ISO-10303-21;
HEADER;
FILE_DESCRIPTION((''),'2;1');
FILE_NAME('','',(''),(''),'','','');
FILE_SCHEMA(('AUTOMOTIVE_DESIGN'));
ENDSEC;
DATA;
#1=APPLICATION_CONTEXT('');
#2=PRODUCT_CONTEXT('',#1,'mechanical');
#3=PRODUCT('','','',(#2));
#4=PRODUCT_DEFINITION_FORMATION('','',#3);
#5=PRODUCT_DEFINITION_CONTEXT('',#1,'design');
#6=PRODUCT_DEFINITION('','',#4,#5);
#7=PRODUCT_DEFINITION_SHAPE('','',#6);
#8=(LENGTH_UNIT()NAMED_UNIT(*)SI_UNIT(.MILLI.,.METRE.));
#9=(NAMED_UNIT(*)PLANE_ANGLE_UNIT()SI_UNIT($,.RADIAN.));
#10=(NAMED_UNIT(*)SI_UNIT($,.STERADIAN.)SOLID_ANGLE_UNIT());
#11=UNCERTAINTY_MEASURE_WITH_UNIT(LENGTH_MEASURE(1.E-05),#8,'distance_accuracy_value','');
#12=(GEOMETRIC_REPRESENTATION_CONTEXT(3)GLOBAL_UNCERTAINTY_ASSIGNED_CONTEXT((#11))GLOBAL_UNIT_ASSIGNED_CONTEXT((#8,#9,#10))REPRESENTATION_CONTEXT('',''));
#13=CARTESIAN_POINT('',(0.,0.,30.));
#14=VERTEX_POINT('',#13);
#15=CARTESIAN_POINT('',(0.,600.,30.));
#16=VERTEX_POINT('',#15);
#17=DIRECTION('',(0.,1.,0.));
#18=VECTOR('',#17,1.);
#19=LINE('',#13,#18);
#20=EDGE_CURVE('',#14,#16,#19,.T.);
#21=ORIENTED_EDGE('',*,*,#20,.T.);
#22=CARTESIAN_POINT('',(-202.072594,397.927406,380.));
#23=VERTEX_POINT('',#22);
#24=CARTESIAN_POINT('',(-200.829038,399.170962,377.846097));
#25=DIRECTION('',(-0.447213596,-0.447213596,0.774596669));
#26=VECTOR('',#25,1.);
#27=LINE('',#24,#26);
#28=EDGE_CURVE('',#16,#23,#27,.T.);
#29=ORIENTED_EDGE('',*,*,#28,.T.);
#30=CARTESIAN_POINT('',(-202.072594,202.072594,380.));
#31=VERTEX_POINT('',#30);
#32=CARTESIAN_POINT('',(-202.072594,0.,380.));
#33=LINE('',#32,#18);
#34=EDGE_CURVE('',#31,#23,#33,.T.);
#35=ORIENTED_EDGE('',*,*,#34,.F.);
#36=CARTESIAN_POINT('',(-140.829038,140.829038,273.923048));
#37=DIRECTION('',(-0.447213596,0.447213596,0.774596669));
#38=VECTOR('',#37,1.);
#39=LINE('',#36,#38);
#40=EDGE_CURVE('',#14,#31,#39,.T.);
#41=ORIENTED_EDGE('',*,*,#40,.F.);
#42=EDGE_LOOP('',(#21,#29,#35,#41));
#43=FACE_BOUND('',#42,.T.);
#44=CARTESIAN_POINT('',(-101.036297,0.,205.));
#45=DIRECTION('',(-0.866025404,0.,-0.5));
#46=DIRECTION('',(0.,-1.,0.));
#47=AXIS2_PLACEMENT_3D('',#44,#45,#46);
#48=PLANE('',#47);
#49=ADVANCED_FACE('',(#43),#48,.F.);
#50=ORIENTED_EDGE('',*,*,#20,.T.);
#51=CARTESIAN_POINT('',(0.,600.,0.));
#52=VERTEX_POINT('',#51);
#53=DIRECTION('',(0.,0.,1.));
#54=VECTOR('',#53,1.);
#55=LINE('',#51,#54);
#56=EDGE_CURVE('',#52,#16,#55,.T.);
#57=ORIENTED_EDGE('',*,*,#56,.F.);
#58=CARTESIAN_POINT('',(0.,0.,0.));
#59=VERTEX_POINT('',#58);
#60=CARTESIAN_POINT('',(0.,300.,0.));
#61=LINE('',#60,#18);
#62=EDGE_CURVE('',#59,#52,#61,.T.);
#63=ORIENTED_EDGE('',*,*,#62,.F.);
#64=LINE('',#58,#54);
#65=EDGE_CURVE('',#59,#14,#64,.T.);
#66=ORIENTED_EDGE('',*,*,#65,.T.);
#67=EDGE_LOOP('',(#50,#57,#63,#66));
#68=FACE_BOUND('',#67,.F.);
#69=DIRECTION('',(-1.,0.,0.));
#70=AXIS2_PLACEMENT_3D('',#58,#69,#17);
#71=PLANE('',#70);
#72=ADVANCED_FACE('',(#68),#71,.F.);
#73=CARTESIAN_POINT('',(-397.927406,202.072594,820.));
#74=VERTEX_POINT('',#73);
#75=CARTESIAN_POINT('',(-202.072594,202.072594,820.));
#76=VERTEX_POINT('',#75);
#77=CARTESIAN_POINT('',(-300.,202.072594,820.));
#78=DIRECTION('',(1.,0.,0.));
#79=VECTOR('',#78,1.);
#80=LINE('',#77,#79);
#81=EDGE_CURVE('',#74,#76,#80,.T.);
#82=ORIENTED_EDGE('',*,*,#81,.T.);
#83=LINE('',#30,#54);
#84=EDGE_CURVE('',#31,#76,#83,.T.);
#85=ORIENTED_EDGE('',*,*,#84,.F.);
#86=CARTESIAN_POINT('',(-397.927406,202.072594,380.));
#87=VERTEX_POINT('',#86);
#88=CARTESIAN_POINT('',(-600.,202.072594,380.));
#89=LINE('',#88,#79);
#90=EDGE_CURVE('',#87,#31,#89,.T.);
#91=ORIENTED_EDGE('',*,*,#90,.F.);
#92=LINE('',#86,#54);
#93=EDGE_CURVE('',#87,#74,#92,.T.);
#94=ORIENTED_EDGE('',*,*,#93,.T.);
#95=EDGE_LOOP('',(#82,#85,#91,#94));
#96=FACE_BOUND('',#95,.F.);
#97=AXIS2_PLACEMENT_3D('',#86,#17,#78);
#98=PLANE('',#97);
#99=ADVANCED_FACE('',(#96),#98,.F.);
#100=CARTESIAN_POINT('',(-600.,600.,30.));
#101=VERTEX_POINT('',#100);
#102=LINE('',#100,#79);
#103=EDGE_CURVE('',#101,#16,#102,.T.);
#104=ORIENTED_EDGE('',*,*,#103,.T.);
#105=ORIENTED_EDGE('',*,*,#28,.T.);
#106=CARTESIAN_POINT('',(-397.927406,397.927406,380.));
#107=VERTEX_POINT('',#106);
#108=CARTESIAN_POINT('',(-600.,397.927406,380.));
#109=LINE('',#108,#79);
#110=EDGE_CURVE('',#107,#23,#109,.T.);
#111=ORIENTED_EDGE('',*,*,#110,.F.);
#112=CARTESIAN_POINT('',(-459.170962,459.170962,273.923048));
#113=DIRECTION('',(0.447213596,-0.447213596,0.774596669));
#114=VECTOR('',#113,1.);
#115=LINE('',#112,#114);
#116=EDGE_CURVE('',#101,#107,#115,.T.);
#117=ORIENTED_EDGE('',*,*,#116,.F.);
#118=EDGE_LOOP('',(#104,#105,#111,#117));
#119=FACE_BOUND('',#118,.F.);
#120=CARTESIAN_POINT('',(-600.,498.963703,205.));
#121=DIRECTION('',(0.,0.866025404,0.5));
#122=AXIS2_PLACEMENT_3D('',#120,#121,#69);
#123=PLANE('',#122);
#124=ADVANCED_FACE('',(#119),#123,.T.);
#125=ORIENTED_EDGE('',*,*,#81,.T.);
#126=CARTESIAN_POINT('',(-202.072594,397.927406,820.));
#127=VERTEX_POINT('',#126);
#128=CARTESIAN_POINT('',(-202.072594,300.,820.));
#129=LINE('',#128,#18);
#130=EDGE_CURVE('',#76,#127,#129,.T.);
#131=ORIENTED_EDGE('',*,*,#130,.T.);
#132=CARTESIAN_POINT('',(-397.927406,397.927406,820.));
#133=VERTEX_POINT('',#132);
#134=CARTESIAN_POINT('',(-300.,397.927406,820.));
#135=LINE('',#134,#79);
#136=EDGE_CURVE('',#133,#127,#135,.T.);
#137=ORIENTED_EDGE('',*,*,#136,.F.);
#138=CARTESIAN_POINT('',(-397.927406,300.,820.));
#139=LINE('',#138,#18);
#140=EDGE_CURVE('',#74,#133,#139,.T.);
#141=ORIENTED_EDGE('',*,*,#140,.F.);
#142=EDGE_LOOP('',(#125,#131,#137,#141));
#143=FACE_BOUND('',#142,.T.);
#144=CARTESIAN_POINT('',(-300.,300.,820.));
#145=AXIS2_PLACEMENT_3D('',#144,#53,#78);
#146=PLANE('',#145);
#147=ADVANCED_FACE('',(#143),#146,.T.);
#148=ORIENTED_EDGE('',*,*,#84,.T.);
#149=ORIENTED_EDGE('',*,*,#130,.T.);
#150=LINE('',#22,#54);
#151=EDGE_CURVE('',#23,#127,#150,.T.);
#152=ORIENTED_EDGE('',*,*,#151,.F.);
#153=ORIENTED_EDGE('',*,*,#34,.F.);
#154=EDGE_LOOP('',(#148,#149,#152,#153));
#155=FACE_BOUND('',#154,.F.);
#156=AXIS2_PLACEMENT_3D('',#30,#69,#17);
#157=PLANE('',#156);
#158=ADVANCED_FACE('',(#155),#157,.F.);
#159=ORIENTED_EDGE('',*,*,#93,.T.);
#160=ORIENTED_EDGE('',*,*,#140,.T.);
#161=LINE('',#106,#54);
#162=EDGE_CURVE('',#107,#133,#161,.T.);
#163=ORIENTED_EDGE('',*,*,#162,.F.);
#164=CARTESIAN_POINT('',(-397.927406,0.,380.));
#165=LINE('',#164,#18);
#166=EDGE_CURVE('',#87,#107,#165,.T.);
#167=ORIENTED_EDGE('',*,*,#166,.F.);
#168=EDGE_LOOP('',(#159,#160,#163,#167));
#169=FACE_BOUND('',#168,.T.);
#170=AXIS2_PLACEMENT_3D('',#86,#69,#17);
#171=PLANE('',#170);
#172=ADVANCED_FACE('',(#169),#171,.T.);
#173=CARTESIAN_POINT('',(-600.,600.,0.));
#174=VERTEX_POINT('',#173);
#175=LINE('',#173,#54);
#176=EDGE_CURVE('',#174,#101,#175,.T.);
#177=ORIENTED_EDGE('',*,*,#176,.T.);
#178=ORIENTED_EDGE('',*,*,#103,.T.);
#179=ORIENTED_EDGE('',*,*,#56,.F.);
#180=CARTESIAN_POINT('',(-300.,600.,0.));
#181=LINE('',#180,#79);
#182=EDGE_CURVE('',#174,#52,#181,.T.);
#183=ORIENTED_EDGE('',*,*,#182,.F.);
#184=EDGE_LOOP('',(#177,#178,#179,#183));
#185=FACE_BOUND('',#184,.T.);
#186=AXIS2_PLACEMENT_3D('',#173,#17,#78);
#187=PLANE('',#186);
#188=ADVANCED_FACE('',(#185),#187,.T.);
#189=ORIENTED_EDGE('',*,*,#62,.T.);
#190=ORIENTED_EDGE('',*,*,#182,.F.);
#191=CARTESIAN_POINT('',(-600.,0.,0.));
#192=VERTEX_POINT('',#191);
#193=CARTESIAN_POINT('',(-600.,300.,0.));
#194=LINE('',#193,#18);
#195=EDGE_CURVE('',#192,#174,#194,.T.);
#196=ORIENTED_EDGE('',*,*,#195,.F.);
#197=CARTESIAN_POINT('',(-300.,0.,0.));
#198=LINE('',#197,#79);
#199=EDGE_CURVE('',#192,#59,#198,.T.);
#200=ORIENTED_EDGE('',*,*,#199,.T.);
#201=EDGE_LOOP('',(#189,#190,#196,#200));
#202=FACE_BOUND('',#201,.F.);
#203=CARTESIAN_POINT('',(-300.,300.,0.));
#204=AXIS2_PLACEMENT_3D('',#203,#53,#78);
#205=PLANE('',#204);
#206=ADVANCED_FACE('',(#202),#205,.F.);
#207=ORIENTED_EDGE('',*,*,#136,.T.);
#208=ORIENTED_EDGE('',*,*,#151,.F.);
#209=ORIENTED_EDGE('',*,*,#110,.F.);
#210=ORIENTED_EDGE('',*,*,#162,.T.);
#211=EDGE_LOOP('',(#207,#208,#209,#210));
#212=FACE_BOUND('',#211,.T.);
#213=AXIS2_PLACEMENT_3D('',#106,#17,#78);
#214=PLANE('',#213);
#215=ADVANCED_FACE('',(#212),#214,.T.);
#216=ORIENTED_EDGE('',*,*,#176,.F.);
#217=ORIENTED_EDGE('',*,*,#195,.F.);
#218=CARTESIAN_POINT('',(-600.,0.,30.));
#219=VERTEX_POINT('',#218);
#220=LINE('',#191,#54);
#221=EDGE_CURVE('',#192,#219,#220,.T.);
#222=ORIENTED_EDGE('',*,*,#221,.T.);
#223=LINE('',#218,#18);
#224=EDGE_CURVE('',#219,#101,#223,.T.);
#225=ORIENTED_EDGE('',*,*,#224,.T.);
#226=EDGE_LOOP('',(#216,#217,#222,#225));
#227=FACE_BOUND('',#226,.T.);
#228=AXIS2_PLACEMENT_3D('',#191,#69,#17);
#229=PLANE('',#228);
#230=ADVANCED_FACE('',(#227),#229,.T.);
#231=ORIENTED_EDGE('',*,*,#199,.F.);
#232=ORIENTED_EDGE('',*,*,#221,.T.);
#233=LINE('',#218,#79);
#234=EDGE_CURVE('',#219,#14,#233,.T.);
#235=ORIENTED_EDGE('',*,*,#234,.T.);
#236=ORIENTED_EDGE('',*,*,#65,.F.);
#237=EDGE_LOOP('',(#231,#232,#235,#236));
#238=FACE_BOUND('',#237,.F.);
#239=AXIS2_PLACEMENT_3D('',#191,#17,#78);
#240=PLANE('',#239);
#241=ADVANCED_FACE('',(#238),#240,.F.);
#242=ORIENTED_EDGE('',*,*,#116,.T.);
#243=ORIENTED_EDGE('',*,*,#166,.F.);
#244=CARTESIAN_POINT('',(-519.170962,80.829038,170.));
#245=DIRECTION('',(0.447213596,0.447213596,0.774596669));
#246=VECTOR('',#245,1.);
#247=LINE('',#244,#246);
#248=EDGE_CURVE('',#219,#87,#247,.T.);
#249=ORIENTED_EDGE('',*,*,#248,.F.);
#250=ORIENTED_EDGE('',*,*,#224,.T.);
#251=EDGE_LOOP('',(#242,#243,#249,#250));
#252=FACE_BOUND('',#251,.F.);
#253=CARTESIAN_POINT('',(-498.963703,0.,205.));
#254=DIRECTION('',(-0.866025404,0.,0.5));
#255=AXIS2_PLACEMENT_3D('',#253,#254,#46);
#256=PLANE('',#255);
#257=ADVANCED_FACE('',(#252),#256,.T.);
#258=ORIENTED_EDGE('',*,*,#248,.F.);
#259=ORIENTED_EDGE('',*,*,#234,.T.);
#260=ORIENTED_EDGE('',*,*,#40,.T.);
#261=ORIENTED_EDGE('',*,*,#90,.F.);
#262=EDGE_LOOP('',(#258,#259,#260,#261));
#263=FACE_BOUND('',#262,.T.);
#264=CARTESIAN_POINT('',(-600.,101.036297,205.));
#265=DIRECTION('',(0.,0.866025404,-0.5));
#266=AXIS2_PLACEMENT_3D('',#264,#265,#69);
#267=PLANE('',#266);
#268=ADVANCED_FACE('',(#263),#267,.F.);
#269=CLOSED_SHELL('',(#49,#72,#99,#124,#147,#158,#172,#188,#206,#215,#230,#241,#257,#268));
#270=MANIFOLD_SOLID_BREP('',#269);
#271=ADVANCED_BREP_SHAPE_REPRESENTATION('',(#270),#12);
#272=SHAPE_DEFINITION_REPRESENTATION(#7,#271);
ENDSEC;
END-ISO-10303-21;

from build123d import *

# Parameters (mm, degrees)
F0_W     = 600
F0_H     = 600
F1_DEPTH = 380
F2_SIZE2 = 202.0725942164
F2_SIZE  = 350
F3_W     = 195.8548115673
F3_H     = 195.8548115673
F4_DEPTH = 440


with BuildPart() as f1:
    # F0 (on Top) → F1 (new body)
    with BuildSketch(Plane.XY):
        with Locations((-300, 300)):
            Rectangle(F0_W, F0_H)
    extrude(amount=F1_DEPTH)

    # F2
    f2_edges = [f1.edges().sort_by_distance(p)[0] for p in [
        (-300, 0, 380),
        (0, 300, 380),
        (-300, 600, 380),
        (-600, 300, 380),
    ]]
    chamfer(f2_edges, length=F2_SIZE, length2=F2_SIZE2)

    # F3 (on face) → F4 (join)
    with BuildSketch(Plane.XY.offset(380)):
        with Locations((-300, 300)):
            Rectangle(F3_W, F3_H)
    extrude(amount=F4_DEPTH)


solid = f1.part
